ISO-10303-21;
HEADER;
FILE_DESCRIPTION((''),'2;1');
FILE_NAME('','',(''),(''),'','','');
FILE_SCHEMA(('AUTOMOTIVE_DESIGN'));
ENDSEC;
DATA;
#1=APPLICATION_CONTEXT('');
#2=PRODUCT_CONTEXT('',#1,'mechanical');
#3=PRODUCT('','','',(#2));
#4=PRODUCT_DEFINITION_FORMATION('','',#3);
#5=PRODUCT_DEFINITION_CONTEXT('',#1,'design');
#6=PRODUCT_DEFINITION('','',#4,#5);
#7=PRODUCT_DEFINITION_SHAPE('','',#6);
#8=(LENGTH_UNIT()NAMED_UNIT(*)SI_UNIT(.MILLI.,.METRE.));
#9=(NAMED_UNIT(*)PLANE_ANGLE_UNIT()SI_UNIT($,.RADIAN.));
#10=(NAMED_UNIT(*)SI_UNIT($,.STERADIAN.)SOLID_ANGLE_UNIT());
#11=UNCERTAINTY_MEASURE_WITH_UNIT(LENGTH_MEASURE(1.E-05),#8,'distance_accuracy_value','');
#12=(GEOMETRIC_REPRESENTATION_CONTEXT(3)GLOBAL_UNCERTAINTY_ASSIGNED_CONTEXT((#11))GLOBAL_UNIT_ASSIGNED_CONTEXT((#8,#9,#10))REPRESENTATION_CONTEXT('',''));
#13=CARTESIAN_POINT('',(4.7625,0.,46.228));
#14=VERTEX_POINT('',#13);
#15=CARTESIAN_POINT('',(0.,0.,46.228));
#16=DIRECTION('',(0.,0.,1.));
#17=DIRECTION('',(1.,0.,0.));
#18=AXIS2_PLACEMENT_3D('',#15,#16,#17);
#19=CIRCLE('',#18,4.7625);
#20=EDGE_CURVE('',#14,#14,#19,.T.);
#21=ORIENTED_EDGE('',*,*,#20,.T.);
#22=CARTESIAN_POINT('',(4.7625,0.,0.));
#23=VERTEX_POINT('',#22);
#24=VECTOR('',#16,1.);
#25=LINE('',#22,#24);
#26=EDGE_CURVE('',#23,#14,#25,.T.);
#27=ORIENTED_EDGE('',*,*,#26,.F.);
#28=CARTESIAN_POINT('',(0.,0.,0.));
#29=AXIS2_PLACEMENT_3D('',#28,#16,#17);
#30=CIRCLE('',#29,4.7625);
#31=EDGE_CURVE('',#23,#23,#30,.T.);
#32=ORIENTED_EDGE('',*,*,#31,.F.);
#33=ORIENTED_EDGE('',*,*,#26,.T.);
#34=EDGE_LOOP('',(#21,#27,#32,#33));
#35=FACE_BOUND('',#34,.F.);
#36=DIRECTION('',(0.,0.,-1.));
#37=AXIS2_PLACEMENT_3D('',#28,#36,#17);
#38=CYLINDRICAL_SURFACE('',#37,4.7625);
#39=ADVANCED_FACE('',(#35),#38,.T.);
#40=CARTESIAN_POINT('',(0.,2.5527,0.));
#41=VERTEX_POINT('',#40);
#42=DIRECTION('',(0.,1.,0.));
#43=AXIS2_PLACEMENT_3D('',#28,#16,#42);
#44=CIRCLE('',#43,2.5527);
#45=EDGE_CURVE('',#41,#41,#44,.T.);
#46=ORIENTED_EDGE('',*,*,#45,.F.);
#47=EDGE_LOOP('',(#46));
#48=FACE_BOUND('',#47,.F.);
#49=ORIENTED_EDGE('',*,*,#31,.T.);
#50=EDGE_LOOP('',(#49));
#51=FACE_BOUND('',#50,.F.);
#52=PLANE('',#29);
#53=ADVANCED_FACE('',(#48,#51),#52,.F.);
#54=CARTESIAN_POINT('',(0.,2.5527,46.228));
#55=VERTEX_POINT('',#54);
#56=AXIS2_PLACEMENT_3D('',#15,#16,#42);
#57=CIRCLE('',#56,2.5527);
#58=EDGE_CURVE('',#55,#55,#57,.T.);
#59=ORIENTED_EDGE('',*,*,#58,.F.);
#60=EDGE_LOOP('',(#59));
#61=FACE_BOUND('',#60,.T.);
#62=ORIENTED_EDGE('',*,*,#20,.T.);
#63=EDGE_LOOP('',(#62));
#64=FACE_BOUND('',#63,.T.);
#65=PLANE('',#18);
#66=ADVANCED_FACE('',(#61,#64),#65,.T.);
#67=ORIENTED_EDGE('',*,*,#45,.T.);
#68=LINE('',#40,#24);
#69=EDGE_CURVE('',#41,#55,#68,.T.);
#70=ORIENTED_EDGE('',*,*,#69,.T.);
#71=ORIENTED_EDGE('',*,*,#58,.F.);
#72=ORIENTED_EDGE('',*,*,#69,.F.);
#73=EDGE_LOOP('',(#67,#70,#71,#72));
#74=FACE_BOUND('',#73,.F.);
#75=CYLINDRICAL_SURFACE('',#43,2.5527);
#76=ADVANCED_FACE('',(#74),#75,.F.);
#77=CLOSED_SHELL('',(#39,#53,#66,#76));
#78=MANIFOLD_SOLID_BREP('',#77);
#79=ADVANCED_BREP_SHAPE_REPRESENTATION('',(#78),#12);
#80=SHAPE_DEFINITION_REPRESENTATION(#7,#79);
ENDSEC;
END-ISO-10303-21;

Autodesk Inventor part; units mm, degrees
ref_plane "YZ Plane" through (0, 0, 0) normal (1, 0, 0) x (0, 1, 0)
ref_plane "XZ Plane" through (0, 0, 0) normal (0, 1, 0) x (-1, 0, 0)
ref_plane "XY Plane" through (0, 0, 0) normal (0, 0, 1) x (1, 0, 0)
sketch "Sketch1" plane through (0, 0, 0) normal (0, 0, 1) x (1, 0, 0)
  circle A0 centre (0, 0) radius 4.7625
  dimension "d10" = 9.525
extrude "Extrusion1" add sketch "Sketch1" along normal blind 46.228
hole "Hole1" at (0, 0, 0) direction (0, 0, 1) diameter 5.1054 end through all clearance for "Flat Head Machine Screw (82)" size "#10" standard "Ansi Unified Screw Threads"
equation "\"d10\" = OutsideDiameter"
equation "\"d1\" = StandoffLength"
equation "\"d3\" = HoleDiameter"
equation "\"StandoffLength\" = 46.228"
equation "\"HoleDiameter\" = 5.1054"
equation "\"OutsideDiameter\" = 9.525"
properties part number "DB1-011" material "Aluminum 6061"
